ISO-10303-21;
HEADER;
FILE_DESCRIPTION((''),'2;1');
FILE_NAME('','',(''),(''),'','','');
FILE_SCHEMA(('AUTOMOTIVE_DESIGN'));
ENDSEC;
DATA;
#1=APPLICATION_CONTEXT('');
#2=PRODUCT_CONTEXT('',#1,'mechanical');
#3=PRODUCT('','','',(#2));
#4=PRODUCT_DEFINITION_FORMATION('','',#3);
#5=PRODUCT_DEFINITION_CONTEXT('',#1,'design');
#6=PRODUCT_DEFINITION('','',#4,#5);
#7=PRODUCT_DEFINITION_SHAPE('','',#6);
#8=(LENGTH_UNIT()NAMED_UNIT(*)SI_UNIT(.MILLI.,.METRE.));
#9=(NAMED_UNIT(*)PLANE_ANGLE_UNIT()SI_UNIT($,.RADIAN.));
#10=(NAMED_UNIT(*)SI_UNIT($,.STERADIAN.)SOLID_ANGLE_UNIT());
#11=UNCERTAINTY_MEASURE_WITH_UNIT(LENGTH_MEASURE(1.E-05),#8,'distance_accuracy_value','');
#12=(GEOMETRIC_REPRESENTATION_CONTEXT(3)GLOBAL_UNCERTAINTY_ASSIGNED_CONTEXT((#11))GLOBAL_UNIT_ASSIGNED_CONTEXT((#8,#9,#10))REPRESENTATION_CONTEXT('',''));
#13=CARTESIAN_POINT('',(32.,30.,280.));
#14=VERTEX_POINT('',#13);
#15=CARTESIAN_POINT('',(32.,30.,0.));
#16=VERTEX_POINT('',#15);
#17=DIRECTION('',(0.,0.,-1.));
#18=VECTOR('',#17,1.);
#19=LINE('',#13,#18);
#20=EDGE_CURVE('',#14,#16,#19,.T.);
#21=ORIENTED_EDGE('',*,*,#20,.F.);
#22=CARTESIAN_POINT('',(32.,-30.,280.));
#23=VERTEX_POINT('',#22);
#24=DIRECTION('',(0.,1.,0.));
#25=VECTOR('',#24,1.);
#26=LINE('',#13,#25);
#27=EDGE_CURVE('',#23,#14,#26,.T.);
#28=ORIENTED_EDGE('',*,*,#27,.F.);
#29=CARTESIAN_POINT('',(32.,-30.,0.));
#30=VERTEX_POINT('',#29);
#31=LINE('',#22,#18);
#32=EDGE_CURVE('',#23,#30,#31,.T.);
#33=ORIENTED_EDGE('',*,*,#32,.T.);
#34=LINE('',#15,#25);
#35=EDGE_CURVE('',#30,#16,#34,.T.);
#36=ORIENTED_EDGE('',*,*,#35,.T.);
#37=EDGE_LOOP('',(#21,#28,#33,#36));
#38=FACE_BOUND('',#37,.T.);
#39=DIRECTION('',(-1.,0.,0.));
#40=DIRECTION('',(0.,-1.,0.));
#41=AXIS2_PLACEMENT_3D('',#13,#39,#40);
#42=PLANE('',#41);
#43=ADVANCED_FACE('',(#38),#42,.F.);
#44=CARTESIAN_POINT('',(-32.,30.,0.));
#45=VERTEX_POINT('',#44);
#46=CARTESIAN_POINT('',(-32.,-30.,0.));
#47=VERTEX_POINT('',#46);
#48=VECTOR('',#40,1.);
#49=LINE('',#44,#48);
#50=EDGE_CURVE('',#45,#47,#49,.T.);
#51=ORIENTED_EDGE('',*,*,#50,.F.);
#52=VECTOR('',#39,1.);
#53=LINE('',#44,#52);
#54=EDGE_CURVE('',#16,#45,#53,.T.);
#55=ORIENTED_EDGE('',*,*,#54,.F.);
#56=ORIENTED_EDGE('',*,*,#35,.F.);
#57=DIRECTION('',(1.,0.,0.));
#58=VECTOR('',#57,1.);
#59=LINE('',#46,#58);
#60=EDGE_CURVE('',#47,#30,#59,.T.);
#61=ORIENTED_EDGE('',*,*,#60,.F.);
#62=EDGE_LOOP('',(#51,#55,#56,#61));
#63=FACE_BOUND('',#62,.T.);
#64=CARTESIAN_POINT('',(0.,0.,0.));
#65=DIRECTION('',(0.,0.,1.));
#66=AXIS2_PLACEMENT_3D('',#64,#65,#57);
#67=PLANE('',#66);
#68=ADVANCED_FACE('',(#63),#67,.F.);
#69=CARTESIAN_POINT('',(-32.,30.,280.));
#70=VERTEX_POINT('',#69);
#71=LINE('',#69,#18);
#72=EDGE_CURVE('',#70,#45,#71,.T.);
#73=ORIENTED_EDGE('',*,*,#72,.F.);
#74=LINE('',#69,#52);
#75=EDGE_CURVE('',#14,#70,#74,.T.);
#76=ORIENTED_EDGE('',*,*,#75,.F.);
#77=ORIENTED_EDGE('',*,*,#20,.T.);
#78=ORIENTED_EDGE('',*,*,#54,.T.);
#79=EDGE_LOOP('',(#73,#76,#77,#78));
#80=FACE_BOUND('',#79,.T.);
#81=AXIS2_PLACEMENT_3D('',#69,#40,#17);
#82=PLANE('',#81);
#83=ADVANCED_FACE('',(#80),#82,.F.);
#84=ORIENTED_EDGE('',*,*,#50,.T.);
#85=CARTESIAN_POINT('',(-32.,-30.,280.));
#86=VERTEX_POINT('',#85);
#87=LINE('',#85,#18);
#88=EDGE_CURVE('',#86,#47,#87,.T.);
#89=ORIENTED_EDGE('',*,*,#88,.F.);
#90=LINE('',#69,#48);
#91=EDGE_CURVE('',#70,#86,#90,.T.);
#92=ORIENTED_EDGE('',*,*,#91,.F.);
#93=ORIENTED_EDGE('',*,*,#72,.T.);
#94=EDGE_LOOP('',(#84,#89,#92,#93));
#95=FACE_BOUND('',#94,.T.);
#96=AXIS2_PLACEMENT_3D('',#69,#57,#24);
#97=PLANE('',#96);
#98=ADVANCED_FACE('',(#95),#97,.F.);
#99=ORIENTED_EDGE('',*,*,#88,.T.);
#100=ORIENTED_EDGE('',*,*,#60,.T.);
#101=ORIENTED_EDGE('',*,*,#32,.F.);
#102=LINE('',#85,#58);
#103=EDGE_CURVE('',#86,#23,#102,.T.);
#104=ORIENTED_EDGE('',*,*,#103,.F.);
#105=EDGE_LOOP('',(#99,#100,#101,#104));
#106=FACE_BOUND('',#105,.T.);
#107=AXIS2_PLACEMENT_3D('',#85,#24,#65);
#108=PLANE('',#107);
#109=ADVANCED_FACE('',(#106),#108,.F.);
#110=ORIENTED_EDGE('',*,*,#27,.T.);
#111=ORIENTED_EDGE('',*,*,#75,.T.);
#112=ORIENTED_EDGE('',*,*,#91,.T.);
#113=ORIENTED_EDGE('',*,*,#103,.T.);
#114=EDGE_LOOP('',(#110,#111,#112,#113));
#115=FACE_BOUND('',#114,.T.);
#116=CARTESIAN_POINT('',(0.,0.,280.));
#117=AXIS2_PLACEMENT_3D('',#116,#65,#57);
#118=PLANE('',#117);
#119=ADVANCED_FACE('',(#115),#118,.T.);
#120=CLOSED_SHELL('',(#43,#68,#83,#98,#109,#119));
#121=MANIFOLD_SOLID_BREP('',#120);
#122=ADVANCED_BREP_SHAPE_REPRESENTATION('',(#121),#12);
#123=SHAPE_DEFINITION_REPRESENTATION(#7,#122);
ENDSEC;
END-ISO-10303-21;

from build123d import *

# Parameters (mm, degrees)
SKETCH_1_W      = 64
SKETCH_1_H      = 60
EXTRUDE_1_DEPTH = 280


with BuildPart() as part:
    # 草图1 → 凸台-拉伸1 (new body)
    with BuildSketch(Plane.XY):
        Rectangle(SKETCH_1_W, SKETCH_1_H)
    extrude(amount=EXTRUDE_1_DEPTH)


solid = part.part
